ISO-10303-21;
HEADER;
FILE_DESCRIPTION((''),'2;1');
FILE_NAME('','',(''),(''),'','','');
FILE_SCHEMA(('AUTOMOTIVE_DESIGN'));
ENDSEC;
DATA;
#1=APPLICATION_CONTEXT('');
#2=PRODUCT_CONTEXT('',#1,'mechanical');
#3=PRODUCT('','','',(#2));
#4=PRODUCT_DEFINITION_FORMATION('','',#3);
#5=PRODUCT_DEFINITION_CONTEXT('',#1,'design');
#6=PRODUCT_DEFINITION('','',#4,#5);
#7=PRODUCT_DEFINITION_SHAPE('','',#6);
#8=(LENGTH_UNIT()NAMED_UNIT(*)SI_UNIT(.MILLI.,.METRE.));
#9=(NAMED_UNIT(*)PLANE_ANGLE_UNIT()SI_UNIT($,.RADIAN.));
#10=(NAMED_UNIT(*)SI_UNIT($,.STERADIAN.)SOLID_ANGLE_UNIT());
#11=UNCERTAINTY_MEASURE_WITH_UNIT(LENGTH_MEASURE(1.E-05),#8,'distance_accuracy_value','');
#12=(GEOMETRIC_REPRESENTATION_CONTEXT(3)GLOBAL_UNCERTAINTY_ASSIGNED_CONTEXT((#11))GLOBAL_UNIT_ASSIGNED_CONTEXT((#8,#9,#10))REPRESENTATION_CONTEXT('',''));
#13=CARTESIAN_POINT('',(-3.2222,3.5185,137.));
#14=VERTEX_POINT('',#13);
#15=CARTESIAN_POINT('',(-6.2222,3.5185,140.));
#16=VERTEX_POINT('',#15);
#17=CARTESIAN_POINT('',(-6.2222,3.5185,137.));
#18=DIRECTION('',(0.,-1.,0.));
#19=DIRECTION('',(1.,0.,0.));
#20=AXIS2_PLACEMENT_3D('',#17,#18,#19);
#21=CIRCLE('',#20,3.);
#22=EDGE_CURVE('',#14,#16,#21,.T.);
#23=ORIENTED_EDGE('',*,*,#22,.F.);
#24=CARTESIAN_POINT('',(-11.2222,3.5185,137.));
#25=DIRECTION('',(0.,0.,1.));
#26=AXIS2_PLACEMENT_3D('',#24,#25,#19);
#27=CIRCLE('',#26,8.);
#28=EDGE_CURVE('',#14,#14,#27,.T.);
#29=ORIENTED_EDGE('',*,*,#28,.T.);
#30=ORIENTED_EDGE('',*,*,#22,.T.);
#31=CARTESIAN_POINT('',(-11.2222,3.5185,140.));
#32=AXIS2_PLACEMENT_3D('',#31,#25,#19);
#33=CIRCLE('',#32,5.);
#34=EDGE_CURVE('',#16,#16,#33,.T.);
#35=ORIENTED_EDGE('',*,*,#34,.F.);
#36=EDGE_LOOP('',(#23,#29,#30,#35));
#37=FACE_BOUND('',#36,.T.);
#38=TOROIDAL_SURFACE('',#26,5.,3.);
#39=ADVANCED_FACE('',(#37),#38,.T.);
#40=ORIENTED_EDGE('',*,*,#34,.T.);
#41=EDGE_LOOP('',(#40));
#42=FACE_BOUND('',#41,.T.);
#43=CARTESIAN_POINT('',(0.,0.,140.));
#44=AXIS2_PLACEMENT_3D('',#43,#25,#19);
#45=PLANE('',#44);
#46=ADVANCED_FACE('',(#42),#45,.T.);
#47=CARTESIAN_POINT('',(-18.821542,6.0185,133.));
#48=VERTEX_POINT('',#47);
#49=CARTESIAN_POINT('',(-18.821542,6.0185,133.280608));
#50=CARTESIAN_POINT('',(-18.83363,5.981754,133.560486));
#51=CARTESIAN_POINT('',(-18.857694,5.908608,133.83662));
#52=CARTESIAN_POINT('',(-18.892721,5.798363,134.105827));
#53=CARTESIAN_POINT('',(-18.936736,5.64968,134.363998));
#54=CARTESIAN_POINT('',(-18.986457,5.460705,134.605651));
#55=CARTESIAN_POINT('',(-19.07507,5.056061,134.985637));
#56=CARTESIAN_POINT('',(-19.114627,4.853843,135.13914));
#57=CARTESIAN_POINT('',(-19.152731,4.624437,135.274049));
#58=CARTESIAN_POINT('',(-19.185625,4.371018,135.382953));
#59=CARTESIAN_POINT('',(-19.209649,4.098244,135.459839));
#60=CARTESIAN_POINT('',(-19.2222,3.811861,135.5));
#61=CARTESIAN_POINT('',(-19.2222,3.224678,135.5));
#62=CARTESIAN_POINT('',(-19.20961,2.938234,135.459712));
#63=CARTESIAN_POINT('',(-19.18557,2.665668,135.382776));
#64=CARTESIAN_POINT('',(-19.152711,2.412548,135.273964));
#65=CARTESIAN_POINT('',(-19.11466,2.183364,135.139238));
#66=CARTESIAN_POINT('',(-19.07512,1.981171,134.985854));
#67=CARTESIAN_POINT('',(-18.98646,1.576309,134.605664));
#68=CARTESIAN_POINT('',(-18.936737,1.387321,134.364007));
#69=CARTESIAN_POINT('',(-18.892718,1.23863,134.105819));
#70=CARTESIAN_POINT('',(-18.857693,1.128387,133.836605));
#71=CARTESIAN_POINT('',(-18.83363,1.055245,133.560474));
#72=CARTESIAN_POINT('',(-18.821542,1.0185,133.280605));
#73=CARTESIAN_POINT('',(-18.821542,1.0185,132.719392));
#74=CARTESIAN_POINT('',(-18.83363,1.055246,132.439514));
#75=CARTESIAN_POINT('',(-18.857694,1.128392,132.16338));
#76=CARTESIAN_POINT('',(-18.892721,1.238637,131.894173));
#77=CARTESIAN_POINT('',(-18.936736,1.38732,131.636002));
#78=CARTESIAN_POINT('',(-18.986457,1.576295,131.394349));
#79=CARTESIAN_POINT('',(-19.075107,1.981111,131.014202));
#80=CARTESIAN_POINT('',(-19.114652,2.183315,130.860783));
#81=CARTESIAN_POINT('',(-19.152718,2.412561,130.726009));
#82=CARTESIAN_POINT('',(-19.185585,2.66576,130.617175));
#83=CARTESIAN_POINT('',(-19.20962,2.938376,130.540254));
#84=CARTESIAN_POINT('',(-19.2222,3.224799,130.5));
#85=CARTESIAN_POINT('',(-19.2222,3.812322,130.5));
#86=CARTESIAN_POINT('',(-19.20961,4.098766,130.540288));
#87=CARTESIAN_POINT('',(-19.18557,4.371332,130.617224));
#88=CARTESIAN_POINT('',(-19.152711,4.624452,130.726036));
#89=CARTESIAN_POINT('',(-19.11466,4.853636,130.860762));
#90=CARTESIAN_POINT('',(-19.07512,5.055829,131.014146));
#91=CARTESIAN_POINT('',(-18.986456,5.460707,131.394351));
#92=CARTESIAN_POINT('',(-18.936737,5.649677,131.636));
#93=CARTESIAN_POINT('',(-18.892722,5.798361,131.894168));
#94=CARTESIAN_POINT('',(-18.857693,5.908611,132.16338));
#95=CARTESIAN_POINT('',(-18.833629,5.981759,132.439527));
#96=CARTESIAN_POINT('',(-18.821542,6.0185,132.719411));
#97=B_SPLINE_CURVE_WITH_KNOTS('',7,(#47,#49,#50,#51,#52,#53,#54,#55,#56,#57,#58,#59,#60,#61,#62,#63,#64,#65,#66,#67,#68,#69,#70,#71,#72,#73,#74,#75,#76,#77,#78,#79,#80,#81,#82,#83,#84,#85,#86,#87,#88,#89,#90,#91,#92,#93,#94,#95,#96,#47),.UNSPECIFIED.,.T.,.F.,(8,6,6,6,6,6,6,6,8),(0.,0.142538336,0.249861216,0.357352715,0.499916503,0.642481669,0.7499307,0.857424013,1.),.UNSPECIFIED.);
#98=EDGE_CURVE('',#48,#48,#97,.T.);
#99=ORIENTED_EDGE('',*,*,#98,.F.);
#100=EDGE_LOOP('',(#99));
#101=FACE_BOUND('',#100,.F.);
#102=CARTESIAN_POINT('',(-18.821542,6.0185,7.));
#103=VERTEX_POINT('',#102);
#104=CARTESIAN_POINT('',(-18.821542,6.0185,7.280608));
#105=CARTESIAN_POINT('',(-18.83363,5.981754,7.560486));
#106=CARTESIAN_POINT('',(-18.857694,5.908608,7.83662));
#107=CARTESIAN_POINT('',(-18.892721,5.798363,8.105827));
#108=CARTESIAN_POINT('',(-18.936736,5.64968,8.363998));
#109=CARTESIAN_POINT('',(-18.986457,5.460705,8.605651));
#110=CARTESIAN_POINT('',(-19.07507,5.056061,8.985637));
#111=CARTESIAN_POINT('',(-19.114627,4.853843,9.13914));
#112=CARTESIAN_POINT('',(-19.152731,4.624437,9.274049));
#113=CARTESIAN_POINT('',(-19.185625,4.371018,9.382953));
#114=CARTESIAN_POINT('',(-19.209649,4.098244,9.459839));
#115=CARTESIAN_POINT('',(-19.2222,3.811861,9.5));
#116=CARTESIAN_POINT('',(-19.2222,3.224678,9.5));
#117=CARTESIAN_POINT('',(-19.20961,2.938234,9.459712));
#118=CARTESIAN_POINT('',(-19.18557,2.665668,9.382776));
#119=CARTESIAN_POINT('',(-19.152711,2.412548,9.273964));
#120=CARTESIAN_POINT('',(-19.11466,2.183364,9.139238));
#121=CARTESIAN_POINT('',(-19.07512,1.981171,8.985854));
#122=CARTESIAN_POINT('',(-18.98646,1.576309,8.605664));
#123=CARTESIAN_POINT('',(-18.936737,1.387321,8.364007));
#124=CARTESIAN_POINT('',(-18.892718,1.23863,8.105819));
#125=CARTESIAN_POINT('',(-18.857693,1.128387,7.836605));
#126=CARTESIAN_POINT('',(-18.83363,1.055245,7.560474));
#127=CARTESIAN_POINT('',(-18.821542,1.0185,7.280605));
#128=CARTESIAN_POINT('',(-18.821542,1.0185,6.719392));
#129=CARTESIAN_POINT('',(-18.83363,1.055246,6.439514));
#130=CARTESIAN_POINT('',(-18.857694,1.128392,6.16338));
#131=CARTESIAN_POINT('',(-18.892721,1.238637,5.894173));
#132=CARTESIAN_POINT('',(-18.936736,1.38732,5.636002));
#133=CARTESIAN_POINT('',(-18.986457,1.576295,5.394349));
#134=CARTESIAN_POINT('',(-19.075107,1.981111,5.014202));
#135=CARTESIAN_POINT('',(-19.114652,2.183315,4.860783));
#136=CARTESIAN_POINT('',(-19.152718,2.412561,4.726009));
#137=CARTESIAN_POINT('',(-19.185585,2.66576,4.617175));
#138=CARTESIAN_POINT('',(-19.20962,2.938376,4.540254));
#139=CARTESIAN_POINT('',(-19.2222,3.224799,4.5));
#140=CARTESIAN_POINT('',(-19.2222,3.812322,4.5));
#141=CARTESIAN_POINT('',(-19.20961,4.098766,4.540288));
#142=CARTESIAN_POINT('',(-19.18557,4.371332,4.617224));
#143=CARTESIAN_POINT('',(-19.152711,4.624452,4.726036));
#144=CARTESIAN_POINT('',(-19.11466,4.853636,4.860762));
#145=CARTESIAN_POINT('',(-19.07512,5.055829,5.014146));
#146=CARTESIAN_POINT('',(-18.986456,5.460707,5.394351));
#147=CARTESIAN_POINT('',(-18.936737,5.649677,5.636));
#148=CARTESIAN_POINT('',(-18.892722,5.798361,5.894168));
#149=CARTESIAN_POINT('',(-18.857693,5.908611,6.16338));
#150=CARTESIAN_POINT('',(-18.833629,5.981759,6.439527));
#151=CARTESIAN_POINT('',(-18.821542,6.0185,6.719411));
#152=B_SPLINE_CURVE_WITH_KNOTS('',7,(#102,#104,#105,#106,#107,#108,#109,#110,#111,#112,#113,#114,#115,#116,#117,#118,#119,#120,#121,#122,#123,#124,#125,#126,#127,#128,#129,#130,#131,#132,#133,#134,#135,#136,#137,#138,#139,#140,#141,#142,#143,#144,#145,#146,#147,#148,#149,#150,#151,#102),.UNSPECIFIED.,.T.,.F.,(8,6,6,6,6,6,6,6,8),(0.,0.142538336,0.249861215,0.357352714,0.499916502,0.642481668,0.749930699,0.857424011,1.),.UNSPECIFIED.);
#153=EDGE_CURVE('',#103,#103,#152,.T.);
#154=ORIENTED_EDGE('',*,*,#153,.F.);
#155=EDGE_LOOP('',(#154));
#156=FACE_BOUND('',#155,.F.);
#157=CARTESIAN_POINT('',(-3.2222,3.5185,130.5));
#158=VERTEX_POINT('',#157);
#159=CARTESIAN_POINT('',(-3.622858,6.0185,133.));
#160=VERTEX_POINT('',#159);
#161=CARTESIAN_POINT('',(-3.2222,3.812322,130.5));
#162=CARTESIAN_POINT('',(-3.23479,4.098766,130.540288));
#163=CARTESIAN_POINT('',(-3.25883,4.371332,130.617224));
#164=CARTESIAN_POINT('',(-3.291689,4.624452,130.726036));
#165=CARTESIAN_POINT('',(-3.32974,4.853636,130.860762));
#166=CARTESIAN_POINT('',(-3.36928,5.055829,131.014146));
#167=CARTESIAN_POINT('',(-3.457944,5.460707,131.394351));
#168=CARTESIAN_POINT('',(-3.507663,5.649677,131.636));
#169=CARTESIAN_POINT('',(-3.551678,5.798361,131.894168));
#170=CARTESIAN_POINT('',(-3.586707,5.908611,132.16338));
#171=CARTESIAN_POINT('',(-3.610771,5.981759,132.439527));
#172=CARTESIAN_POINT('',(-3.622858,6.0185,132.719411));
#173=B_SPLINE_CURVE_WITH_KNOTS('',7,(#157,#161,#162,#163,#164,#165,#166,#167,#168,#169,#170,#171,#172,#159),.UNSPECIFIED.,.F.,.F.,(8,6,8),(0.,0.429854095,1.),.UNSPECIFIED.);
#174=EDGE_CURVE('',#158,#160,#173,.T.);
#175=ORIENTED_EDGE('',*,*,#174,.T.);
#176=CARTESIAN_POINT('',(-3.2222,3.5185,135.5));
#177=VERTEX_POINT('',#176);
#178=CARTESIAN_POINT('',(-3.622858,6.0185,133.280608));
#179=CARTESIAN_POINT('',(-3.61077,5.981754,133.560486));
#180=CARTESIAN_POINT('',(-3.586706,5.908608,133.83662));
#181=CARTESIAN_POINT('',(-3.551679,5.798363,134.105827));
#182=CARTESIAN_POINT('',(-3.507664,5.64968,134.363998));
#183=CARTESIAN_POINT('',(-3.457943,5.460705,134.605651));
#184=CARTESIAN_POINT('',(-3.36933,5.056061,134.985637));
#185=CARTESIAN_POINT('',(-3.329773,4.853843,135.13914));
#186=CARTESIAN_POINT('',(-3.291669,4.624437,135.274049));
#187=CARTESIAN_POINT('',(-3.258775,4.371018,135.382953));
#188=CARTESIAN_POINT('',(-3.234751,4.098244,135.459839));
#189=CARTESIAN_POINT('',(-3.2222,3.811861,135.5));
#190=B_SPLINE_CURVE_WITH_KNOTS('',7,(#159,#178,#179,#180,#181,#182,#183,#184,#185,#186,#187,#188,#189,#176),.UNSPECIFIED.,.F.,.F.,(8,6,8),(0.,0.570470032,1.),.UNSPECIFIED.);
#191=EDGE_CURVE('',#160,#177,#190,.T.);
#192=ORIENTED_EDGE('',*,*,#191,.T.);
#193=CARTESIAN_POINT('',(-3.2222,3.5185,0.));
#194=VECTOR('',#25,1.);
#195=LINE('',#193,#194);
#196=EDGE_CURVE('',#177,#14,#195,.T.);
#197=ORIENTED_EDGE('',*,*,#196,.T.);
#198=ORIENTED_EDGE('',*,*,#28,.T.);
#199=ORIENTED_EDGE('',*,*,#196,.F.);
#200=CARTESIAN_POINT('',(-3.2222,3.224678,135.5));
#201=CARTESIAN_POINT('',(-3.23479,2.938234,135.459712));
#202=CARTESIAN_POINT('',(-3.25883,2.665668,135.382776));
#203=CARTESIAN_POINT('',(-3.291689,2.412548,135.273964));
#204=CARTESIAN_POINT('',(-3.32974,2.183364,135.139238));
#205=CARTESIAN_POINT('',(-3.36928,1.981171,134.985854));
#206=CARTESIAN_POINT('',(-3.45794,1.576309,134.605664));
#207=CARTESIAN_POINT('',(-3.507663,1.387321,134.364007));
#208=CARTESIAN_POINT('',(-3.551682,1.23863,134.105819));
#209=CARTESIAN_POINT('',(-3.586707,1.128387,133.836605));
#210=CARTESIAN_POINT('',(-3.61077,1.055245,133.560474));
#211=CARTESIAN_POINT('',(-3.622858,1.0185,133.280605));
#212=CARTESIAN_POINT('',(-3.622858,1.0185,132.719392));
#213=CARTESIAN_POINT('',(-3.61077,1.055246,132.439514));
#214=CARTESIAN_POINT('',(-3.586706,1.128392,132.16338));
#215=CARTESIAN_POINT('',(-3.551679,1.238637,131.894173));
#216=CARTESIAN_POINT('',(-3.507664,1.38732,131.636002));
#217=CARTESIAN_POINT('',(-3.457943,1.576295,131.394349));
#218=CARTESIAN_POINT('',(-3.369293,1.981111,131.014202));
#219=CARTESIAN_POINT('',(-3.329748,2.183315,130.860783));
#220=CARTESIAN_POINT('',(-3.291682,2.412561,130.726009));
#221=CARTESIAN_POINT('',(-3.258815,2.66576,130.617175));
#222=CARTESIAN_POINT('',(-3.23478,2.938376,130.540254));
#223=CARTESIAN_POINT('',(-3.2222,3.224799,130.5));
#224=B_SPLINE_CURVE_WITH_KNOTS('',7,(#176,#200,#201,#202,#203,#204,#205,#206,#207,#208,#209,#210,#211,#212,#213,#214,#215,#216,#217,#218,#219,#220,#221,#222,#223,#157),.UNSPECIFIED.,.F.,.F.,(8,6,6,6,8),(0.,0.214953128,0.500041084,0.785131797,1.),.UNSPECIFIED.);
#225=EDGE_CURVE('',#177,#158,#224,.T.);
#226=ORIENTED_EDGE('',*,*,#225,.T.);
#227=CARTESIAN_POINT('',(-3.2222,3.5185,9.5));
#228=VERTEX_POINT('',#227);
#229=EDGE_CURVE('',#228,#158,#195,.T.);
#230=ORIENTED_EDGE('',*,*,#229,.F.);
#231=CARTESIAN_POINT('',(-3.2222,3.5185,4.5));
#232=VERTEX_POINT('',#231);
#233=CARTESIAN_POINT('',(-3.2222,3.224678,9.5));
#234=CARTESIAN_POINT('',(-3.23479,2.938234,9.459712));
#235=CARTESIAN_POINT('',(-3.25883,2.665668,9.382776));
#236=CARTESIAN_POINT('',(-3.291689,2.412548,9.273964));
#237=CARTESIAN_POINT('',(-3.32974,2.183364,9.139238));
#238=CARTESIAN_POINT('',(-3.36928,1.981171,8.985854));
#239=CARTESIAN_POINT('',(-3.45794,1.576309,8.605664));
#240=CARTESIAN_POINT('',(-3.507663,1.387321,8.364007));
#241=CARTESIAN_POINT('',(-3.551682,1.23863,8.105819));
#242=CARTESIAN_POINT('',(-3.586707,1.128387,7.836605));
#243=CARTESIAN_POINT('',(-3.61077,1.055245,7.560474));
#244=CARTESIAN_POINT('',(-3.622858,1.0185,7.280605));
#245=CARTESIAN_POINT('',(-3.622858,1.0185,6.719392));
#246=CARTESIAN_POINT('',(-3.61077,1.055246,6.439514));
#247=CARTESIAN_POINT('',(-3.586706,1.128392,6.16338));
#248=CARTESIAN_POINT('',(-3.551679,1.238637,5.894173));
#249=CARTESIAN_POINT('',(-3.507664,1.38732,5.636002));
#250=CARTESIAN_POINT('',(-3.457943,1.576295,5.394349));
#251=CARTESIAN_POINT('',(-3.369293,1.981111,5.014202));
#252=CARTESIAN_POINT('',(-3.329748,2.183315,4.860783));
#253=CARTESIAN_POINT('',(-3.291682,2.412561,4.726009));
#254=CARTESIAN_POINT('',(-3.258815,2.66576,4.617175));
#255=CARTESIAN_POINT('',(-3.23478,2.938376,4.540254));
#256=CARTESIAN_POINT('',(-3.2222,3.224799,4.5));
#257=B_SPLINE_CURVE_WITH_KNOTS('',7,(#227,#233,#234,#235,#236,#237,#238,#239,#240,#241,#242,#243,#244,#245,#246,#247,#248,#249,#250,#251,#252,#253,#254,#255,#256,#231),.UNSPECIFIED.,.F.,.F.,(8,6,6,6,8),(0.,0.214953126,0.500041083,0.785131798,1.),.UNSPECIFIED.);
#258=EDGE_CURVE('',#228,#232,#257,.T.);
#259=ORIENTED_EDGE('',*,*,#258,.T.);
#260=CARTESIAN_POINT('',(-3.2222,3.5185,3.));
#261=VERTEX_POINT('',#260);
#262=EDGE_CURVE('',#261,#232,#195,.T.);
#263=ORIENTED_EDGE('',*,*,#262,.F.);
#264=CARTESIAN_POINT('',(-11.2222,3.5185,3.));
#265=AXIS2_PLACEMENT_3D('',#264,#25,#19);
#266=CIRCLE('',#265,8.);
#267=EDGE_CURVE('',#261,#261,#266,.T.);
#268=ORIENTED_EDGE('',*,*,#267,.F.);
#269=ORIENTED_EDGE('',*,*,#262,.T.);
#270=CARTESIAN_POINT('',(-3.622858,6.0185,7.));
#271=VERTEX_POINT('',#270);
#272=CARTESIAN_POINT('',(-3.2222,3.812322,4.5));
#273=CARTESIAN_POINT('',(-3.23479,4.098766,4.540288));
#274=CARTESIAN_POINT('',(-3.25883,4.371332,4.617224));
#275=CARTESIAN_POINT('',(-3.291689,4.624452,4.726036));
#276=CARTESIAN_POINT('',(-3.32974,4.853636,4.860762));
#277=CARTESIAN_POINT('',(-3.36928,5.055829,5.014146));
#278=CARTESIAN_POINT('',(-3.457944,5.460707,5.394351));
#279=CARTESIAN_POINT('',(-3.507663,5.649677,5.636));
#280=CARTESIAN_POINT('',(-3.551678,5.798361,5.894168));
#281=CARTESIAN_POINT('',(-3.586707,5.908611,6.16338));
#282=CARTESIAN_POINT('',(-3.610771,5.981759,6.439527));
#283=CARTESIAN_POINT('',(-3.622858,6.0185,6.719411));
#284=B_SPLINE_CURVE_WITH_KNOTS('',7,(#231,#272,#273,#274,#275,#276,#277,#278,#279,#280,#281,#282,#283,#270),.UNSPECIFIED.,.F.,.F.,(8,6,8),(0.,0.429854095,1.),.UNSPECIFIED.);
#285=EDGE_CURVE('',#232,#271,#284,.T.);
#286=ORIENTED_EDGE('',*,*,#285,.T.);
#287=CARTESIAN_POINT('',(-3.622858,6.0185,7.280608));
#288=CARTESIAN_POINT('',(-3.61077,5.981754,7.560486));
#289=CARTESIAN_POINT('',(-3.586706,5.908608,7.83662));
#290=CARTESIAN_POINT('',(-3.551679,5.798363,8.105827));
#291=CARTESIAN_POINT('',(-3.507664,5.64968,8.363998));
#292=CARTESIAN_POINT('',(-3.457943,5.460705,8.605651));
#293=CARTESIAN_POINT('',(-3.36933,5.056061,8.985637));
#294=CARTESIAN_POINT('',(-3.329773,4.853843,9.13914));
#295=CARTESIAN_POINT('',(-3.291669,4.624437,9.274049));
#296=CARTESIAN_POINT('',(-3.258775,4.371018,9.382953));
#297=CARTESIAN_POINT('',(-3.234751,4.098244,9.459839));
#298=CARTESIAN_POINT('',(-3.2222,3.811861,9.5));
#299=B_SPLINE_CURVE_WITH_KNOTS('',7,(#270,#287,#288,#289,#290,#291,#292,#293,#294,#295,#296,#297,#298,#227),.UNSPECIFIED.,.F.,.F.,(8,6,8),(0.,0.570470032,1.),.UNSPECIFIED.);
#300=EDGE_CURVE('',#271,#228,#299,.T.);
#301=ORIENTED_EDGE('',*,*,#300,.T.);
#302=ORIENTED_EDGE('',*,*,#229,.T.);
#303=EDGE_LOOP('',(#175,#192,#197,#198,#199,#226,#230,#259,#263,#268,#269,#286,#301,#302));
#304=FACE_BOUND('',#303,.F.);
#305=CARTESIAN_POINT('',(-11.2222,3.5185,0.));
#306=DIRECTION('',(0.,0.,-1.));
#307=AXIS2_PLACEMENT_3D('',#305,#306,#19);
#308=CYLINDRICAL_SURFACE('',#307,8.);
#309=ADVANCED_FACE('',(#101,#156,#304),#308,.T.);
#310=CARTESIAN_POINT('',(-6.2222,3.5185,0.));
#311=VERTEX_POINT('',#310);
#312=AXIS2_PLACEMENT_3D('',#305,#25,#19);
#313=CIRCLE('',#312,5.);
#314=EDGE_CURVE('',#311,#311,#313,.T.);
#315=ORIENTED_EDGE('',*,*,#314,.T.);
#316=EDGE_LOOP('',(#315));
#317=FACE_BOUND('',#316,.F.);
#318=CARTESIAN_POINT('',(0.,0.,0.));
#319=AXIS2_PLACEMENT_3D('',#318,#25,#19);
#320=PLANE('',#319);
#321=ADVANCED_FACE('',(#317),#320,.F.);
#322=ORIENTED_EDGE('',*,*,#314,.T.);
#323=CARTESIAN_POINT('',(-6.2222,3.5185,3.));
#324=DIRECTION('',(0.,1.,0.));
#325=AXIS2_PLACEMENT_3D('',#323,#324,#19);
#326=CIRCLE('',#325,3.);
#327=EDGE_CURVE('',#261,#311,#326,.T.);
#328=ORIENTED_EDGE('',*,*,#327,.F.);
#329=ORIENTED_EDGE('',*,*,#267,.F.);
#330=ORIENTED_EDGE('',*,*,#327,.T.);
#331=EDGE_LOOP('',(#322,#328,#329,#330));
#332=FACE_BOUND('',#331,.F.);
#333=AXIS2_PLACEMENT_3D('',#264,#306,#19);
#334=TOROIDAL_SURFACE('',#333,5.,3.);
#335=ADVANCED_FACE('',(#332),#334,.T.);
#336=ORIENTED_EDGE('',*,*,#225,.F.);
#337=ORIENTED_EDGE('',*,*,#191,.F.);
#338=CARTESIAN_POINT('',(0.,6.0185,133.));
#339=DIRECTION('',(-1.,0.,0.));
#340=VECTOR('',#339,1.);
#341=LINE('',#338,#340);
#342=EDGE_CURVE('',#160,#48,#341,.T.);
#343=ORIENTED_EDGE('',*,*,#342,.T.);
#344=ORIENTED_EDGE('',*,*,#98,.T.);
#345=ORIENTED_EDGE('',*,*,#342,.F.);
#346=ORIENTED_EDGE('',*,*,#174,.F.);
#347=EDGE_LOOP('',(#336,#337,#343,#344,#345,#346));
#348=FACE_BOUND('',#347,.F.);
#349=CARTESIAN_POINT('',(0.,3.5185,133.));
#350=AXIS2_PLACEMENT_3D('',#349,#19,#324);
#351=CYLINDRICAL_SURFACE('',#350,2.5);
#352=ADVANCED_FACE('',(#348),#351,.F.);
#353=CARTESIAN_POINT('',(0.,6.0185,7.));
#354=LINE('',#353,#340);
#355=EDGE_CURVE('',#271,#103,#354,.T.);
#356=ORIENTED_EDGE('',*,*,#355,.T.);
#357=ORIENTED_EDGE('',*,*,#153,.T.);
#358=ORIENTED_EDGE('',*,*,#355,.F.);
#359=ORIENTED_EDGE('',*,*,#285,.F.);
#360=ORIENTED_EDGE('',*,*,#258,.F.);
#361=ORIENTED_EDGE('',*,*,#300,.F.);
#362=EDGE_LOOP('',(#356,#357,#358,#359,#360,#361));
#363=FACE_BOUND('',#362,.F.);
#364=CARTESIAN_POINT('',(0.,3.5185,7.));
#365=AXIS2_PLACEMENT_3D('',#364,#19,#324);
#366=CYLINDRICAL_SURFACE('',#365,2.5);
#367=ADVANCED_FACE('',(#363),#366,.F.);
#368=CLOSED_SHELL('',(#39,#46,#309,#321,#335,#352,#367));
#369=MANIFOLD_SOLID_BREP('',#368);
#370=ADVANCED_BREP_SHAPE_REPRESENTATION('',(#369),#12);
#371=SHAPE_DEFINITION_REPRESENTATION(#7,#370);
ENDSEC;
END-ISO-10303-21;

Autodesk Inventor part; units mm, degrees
ref_plane "YZ Plane" through (0, 0, 0) normal (1, 0, 0) x (0, 1, 0)
ref_plane "XZ Plane" through (0, 0, 0) normal (0, 1, 0) x (-1, 0, 0)
ref_plane "XY Plane" through (0, 0, 0) normal (0, 0, 1) x (1, 0, 0)
sketch "Sketch1" plane through (0, 0, 0) normal (0, 0, 1) x (1, 0, 0)
  circle A0 centre (-11.2222, 3.5185) radius 8
  point P0 (0, 0)
  dimension "d0" = 16
extrude "Extrusion1" add sketch "Sketch1" along normal blind 140
fillet "Fillet1" radius 3 2 edges at (-19.2222, 3.5185, 140) (-19.2222, 3.5185, 0)
sketch "Sketch2" plane through (0, 0, 0) normal (1, 0, 0) x (0, 1, 0)
  line L0 (-1.4815, 140) -> (8.5185, 140) projected
  line L1 (3.5185, 140) -> (3.5185, 40)
  circle A0 centre (3.5185, 133) radius 2.5
  circle A1 centre (3.5185, 7) radius 2.5
  line L2 (8.5185, 0) -> (-1.4815, 0) projected
  point P0 (0, 0)
  dimension "d4" = 5
  dimension "d5" = 5
  dimension "d6" = 7
  dimension "d10" = 7
extrude "Extrusion2" cut sketch "Sketch2" against normal blind 100
properties part number "Eixo_16mm" material "SAE 1010/1020"
